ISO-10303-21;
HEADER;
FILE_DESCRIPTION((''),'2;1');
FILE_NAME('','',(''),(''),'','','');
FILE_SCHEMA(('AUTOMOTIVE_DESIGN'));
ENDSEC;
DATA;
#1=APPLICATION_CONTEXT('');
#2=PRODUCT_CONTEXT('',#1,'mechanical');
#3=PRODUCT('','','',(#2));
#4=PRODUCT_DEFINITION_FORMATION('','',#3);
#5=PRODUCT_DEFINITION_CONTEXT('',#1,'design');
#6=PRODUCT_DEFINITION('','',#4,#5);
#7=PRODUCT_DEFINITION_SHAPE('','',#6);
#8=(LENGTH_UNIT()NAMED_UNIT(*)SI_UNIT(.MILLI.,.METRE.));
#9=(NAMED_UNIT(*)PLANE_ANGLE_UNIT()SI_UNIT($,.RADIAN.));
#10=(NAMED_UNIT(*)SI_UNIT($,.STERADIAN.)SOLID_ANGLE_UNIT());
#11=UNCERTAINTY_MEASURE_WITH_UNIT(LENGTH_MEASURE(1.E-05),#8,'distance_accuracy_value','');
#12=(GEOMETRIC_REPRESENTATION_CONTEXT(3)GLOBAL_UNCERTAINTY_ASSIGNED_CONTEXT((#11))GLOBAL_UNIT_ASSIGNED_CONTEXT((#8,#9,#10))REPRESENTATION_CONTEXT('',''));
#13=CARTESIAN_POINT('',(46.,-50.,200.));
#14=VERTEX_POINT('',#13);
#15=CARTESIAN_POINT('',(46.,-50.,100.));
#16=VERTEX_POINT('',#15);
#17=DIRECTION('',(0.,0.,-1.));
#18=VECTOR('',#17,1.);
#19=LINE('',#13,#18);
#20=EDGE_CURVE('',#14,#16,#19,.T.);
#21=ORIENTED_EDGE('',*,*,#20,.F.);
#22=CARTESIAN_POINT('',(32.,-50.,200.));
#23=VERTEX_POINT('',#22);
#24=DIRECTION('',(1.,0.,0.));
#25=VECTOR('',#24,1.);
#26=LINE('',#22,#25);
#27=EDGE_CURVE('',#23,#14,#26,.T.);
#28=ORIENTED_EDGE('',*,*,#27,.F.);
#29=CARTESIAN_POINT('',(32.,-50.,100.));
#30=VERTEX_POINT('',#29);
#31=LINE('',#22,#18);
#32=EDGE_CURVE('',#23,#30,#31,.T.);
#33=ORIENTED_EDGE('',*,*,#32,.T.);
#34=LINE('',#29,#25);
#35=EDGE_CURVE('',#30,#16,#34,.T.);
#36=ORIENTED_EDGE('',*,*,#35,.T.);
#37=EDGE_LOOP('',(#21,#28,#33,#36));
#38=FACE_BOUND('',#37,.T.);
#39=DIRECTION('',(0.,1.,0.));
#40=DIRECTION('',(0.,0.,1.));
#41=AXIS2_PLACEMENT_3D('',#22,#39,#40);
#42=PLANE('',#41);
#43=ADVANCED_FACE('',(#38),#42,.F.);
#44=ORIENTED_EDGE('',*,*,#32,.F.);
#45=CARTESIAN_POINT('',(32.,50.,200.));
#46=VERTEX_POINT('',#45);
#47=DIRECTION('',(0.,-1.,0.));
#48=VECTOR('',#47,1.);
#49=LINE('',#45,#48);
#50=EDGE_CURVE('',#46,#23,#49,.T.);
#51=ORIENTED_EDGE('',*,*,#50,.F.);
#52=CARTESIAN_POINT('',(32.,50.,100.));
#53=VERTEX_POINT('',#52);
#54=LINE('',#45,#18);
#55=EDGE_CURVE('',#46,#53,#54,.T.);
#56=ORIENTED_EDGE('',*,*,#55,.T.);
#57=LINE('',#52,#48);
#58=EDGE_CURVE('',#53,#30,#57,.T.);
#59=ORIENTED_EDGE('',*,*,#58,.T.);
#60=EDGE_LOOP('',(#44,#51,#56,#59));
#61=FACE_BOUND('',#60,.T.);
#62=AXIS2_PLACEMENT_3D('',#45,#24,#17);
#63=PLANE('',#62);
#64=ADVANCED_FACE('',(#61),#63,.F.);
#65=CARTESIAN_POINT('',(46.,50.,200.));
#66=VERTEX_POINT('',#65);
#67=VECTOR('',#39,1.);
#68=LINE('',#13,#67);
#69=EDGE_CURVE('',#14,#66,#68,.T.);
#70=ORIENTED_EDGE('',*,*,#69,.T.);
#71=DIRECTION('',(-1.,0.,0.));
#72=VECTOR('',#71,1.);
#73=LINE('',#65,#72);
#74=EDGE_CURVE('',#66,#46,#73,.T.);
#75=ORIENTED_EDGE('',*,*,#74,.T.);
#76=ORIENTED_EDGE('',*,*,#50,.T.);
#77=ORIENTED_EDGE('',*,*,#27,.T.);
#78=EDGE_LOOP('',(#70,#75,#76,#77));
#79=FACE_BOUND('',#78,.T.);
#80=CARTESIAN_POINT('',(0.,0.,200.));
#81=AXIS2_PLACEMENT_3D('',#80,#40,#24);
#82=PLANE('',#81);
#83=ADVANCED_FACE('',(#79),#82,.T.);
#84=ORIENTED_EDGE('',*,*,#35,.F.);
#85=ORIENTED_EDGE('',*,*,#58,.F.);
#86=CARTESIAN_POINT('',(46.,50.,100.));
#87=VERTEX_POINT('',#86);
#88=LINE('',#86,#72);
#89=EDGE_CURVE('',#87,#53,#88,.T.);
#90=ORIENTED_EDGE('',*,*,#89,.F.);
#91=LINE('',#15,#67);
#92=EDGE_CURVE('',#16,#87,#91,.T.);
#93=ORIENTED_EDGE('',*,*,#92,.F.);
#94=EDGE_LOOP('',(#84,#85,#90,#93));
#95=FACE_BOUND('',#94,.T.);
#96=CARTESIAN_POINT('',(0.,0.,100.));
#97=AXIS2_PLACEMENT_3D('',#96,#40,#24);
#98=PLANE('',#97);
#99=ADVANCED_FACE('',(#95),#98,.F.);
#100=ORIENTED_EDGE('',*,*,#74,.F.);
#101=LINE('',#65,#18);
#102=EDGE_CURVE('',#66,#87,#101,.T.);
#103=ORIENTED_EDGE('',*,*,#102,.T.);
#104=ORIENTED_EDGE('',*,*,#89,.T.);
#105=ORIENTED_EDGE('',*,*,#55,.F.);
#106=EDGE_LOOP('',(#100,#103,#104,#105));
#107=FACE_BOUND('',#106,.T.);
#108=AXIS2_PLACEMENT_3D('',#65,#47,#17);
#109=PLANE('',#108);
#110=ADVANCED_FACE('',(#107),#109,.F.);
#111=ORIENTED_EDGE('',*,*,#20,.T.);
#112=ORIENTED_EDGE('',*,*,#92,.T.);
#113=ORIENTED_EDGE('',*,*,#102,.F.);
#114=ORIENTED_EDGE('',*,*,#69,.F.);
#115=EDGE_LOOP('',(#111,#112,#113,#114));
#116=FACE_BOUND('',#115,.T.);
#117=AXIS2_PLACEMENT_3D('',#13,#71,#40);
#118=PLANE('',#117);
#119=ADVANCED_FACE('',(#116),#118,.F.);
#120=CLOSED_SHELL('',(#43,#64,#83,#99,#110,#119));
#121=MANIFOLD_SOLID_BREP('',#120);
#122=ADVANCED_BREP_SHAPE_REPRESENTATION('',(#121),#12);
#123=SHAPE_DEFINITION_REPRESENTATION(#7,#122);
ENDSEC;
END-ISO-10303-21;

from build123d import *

# Parameters (mm, degrees)
SK_BOX_0_W  = 14
SK_BOX_0_H  = 100
BOX_0_DEPTH = 100


with BuildPart() as part:
    # SK_Box_0 → Box_0 (new body)
    with BuildSketch(Plane.XY.offset(100)):
        with Locations((39, 0)):
            Rectangle(SK_BOX_0_W, SK_BOX_0_H)
    extrude(amount=BOX_0_DEPTH)


solid = part.part
